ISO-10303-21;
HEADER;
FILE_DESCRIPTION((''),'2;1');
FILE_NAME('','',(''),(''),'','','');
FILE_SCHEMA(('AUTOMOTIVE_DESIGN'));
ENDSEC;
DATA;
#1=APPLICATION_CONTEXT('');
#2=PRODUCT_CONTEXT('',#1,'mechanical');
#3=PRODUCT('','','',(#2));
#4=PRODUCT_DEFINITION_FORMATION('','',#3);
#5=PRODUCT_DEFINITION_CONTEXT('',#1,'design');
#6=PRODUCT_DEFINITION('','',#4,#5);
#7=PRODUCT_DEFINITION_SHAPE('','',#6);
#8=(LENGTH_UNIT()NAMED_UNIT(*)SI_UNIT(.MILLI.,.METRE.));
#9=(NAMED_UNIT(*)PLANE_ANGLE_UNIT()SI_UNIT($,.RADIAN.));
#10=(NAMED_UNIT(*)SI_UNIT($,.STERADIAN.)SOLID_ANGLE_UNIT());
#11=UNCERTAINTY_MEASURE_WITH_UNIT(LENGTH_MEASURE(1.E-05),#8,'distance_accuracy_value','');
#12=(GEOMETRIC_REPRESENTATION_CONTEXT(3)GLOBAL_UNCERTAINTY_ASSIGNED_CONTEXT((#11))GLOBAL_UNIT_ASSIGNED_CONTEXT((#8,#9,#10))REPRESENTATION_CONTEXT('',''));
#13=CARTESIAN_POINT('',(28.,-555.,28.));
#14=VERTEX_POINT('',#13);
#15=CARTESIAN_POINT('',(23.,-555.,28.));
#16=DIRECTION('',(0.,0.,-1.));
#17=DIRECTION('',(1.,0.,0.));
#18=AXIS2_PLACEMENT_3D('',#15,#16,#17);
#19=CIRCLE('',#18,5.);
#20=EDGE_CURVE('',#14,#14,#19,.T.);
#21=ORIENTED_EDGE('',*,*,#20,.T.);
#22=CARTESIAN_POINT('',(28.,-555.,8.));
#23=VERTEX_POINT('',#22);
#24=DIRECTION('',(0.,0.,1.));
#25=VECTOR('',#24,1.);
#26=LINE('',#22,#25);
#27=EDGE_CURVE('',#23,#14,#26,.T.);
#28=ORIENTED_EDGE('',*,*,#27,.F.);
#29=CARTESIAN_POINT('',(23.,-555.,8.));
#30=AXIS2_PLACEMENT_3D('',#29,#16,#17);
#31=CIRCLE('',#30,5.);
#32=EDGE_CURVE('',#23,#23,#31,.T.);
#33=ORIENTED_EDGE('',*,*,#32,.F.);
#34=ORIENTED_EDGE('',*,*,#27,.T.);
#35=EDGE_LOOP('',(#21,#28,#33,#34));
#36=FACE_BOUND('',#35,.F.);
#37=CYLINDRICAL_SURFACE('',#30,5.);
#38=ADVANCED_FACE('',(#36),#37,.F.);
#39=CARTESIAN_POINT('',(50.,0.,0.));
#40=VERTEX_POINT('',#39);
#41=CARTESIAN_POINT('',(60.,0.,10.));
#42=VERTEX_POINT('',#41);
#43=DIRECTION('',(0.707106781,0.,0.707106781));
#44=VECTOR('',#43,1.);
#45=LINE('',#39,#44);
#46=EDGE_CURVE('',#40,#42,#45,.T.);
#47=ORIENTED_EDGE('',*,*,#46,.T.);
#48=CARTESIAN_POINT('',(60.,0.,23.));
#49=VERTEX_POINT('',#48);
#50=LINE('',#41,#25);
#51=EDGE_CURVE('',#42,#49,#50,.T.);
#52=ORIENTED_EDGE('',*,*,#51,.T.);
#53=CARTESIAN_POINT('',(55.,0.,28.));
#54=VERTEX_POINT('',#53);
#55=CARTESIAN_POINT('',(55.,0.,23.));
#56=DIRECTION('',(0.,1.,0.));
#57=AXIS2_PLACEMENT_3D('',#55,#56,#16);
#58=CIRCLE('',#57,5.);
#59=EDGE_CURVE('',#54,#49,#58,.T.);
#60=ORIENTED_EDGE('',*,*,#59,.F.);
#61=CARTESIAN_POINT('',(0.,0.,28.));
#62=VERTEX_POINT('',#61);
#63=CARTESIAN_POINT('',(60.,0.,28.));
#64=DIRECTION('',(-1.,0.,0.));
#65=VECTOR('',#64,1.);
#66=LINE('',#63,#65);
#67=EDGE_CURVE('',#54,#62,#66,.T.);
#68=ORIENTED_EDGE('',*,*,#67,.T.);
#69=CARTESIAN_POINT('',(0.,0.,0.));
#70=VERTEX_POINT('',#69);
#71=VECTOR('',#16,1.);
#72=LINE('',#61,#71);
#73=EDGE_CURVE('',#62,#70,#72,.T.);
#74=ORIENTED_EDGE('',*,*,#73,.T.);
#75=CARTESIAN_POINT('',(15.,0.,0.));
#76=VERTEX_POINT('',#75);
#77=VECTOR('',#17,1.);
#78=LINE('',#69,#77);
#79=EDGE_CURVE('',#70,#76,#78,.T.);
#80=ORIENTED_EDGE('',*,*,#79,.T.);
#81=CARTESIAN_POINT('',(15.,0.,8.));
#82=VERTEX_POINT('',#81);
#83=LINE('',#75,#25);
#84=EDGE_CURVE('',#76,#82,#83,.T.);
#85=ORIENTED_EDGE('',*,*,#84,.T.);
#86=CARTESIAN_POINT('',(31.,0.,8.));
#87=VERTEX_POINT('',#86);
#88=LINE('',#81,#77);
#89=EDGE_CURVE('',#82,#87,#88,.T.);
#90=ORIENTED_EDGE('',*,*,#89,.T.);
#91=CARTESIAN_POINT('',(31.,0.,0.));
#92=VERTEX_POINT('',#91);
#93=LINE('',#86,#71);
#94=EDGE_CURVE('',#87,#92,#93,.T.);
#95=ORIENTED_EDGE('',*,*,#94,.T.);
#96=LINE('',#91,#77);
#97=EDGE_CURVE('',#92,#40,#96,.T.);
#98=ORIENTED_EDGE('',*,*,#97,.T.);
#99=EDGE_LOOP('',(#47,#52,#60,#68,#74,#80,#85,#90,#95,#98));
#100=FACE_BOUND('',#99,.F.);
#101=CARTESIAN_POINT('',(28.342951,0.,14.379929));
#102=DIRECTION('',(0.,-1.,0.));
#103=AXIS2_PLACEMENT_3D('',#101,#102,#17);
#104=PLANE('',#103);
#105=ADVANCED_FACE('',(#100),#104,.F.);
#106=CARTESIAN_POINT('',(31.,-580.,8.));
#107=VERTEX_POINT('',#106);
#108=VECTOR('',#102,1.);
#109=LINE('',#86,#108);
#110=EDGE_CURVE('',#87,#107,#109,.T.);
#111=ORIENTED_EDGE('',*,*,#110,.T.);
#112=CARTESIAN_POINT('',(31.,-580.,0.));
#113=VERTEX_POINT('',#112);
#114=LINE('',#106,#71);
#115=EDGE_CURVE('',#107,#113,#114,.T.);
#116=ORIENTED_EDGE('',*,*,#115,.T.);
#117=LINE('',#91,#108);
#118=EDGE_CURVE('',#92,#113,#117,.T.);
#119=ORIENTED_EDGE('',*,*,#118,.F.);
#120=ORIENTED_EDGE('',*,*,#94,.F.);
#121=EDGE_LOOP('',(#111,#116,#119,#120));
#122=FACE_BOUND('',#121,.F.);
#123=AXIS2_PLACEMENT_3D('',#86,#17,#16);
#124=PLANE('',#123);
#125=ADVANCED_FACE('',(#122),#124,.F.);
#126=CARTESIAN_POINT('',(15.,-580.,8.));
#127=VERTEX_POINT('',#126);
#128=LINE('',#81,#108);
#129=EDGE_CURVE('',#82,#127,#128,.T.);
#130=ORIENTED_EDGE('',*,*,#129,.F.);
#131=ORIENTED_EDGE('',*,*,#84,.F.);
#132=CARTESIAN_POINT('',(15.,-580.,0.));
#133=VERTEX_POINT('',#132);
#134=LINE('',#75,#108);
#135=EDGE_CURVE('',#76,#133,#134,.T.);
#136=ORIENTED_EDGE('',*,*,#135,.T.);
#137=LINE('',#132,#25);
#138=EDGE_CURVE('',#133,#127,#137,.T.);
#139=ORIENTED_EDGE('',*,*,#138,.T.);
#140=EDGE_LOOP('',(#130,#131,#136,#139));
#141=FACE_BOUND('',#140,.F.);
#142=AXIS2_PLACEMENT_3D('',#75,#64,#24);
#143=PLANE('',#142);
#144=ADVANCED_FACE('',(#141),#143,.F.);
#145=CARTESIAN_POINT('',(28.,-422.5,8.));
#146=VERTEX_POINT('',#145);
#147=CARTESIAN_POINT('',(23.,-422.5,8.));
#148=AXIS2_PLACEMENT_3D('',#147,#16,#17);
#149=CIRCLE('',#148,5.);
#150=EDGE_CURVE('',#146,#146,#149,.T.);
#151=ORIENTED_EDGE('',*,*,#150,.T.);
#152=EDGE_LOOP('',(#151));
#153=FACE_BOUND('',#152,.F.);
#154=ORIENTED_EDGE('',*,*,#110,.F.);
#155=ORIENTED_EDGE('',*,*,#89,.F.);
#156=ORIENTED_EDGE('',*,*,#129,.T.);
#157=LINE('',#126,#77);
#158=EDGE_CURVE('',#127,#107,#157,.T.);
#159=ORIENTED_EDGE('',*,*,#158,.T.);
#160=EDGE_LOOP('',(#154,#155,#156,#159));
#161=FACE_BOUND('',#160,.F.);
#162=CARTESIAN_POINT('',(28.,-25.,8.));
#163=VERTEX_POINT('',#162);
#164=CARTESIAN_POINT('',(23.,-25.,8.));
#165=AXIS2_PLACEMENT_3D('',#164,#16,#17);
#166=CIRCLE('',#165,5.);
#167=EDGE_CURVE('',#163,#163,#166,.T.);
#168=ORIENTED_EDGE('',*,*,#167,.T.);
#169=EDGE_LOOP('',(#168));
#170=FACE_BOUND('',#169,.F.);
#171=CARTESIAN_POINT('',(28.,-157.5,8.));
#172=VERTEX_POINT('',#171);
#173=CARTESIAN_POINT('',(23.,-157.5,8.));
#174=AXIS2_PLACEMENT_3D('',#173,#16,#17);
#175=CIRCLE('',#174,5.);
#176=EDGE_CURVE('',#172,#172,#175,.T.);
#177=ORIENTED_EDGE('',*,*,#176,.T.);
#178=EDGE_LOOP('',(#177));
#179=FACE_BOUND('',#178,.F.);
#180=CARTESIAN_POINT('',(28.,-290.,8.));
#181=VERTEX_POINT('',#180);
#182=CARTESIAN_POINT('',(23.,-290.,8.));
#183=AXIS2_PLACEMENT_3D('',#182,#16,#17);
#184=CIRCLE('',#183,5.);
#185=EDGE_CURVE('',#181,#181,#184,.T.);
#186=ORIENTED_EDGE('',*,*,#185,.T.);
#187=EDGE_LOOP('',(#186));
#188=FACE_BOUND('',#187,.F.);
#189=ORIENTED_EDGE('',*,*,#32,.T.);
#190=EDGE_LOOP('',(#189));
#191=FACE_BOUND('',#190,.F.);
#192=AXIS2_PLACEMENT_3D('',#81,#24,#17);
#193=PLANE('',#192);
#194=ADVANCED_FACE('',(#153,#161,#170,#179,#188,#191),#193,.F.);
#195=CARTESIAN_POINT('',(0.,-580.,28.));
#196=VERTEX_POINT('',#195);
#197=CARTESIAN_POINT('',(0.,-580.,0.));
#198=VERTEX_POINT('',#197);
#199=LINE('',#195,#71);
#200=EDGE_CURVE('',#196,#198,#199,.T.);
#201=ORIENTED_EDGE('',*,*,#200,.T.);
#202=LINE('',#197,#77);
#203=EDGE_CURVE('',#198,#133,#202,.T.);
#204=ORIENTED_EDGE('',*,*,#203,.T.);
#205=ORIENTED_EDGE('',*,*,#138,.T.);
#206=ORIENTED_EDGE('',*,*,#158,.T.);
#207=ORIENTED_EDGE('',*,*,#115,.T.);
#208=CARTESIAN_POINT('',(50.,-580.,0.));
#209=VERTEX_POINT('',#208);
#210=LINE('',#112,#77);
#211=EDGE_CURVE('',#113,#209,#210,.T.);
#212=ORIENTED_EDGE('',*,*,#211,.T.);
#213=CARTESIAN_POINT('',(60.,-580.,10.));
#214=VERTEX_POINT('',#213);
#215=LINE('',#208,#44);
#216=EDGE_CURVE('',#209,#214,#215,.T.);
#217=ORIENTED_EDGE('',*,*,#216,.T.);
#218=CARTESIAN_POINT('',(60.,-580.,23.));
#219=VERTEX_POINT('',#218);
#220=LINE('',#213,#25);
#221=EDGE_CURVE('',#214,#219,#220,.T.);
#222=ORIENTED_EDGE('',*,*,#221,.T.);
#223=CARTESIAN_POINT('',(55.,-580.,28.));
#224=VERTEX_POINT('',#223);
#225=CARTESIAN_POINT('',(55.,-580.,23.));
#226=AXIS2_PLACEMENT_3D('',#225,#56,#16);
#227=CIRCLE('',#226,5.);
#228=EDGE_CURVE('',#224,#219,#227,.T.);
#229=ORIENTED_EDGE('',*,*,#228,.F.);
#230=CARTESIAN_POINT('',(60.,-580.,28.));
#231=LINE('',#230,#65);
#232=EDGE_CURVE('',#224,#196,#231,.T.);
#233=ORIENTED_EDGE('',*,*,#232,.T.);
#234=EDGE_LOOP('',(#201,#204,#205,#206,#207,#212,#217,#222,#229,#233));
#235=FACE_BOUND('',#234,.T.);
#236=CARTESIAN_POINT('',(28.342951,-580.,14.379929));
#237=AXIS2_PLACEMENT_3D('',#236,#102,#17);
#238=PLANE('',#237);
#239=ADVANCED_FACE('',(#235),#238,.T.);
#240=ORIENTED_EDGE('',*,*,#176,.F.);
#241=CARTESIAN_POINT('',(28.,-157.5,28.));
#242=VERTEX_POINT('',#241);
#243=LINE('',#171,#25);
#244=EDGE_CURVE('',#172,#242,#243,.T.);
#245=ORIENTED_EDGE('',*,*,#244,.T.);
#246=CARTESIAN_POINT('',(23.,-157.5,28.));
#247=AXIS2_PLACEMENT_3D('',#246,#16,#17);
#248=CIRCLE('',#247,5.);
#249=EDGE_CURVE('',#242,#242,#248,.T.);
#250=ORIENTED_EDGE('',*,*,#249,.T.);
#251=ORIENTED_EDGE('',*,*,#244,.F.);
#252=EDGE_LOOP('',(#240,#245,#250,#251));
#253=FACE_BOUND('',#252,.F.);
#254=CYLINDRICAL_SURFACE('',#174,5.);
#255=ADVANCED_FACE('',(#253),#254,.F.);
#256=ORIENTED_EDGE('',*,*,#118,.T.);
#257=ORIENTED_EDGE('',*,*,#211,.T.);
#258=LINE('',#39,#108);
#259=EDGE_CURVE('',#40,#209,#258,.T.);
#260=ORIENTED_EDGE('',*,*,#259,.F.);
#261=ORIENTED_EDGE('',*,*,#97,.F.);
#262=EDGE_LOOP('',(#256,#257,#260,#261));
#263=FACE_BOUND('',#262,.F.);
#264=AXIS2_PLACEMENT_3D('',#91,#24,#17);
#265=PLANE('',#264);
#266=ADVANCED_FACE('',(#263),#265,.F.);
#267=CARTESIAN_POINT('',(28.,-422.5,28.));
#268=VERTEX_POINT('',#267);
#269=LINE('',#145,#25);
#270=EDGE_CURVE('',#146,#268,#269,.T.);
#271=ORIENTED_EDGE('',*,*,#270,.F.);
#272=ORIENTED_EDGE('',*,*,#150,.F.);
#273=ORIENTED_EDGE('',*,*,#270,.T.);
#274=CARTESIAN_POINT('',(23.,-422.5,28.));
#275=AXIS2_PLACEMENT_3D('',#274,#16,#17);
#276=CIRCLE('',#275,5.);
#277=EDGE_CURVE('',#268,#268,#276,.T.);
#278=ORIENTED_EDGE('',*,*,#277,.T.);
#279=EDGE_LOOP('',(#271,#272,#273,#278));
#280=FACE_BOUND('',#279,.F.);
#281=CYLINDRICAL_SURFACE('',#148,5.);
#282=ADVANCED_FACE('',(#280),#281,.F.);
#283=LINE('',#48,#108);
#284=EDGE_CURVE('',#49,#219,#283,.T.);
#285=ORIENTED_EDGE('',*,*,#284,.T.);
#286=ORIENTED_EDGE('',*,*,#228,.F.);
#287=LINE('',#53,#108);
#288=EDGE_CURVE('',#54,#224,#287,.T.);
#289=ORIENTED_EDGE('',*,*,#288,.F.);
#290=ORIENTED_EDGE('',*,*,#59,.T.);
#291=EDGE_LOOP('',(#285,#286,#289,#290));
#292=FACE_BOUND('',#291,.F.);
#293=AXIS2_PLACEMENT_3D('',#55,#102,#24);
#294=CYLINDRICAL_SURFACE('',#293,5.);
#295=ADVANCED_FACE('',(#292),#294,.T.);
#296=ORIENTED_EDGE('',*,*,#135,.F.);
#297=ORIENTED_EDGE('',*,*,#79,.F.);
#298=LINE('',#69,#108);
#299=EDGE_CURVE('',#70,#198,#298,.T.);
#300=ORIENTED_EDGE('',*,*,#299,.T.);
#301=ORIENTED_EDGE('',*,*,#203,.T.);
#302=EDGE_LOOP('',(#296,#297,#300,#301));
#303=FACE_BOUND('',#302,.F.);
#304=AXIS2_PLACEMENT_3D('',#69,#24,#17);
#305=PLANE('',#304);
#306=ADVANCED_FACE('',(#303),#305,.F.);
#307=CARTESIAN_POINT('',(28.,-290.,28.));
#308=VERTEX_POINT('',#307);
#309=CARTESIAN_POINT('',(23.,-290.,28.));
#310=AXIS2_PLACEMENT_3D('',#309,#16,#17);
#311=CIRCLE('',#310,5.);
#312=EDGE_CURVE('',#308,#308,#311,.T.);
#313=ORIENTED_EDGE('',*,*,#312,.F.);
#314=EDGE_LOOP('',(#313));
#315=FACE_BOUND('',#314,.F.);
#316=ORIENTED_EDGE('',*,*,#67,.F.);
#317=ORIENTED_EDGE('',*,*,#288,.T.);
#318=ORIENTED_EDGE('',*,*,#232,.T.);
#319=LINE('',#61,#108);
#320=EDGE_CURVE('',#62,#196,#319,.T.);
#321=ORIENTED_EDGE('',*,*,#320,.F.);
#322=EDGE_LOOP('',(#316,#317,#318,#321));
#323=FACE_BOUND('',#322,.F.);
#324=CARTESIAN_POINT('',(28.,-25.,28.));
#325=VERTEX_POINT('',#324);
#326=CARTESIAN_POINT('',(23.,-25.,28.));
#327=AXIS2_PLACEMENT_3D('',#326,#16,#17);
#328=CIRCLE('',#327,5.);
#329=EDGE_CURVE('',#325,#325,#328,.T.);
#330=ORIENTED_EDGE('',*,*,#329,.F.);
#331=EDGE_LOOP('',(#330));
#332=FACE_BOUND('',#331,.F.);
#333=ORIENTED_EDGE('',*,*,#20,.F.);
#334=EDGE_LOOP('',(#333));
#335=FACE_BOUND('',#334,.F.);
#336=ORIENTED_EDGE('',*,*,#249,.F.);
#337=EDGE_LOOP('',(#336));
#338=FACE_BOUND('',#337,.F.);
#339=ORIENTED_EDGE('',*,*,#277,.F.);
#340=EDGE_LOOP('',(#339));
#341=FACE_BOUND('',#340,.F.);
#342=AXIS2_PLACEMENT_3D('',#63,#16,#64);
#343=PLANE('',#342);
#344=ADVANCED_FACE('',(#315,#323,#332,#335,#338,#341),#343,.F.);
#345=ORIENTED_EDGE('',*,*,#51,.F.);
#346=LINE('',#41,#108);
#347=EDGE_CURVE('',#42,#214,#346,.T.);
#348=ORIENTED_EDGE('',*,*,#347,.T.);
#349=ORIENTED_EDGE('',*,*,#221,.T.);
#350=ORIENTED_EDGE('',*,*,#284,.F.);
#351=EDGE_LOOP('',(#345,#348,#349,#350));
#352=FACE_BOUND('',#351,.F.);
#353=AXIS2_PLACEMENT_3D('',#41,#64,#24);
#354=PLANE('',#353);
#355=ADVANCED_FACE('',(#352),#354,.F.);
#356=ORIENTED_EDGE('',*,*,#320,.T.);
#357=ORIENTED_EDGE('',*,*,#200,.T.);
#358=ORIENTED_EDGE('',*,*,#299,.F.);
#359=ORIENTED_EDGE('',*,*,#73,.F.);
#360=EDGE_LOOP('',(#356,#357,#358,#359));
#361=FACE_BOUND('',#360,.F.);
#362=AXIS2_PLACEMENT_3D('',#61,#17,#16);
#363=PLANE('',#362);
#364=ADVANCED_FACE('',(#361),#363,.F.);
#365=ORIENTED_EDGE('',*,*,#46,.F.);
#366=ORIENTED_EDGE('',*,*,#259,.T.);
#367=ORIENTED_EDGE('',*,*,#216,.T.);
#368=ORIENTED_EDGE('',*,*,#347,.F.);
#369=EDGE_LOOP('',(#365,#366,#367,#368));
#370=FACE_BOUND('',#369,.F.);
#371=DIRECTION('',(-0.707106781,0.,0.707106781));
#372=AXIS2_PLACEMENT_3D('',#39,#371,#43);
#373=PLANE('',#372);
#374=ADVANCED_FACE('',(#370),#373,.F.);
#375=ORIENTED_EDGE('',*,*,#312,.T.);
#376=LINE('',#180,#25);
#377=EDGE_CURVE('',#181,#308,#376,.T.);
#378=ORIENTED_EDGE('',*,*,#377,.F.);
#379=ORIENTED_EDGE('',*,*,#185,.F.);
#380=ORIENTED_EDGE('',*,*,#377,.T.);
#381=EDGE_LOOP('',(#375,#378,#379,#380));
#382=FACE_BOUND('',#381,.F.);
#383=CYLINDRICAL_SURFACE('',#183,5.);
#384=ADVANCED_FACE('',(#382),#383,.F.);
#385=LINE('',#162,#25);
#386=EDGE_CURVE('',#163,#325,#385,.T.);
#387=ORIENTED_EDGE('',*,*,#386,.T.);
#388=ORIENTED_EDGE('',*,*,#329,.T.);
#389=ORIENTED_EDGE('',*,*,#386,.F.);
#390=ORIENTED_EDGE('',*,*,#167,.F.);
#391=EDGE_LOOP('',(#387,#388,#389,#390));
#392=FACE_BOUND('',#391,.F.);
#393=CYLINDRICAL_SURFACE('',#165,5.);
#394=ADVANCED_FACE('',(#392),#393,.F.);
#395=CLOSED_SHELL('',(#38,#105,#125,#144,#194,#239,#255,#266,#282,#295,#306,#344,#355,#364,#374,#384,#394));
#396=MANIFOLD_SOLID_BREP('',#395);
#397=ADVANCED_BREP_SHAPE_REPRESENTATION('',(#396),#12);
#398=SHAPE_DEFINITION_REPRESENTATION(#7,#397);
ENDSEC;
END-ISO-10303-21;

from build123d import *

# Parameters (mm, degrees)
F1_DEPTH = 580
F2_R     = 5
F3_DEPTH = 20.001
F4_R     = 5


with BuildPart() as f1:
    # F0 (on Front) → F1 (new body)
    with BuildSketch(Plane.XZ):
        Polygon((0, 28), (0, 0), (15, 0), (15, 8), (31, 8), (31, 0), (50, 0), (60, 10), (60, 28), align=None)
    extrude(amount=F1_DEPTH)

    # F2 (on face) → F3 (cut, through all)
    with BuildSketch(Plane(origin=(0, 0, 8), x_dir=(1, 0, 0), z_dir=(0, 0, -1))):
        with Locations((23, 25)):
            Circle(F2_R)
        with Locations((23, 157.5)):
            Circle(F2_R)
        with Locations((23, 290)):
            Circle(F2_R)
        with Locations((23, 422.5)):
            Circle(F2_R)
        with Locations((23, 555)):
            Circle(F2_R)
    extrude(amount=-F3_DEPTH, mode=Mode.SUBTRACT)

    # F4
    f4_edges = [f1.edges().sort_by_distance(p)[0] for p in [
        (60, -290, 28),
    ]]
    fillet(f4_edges, radius=F4_R)


solid = f1.part
